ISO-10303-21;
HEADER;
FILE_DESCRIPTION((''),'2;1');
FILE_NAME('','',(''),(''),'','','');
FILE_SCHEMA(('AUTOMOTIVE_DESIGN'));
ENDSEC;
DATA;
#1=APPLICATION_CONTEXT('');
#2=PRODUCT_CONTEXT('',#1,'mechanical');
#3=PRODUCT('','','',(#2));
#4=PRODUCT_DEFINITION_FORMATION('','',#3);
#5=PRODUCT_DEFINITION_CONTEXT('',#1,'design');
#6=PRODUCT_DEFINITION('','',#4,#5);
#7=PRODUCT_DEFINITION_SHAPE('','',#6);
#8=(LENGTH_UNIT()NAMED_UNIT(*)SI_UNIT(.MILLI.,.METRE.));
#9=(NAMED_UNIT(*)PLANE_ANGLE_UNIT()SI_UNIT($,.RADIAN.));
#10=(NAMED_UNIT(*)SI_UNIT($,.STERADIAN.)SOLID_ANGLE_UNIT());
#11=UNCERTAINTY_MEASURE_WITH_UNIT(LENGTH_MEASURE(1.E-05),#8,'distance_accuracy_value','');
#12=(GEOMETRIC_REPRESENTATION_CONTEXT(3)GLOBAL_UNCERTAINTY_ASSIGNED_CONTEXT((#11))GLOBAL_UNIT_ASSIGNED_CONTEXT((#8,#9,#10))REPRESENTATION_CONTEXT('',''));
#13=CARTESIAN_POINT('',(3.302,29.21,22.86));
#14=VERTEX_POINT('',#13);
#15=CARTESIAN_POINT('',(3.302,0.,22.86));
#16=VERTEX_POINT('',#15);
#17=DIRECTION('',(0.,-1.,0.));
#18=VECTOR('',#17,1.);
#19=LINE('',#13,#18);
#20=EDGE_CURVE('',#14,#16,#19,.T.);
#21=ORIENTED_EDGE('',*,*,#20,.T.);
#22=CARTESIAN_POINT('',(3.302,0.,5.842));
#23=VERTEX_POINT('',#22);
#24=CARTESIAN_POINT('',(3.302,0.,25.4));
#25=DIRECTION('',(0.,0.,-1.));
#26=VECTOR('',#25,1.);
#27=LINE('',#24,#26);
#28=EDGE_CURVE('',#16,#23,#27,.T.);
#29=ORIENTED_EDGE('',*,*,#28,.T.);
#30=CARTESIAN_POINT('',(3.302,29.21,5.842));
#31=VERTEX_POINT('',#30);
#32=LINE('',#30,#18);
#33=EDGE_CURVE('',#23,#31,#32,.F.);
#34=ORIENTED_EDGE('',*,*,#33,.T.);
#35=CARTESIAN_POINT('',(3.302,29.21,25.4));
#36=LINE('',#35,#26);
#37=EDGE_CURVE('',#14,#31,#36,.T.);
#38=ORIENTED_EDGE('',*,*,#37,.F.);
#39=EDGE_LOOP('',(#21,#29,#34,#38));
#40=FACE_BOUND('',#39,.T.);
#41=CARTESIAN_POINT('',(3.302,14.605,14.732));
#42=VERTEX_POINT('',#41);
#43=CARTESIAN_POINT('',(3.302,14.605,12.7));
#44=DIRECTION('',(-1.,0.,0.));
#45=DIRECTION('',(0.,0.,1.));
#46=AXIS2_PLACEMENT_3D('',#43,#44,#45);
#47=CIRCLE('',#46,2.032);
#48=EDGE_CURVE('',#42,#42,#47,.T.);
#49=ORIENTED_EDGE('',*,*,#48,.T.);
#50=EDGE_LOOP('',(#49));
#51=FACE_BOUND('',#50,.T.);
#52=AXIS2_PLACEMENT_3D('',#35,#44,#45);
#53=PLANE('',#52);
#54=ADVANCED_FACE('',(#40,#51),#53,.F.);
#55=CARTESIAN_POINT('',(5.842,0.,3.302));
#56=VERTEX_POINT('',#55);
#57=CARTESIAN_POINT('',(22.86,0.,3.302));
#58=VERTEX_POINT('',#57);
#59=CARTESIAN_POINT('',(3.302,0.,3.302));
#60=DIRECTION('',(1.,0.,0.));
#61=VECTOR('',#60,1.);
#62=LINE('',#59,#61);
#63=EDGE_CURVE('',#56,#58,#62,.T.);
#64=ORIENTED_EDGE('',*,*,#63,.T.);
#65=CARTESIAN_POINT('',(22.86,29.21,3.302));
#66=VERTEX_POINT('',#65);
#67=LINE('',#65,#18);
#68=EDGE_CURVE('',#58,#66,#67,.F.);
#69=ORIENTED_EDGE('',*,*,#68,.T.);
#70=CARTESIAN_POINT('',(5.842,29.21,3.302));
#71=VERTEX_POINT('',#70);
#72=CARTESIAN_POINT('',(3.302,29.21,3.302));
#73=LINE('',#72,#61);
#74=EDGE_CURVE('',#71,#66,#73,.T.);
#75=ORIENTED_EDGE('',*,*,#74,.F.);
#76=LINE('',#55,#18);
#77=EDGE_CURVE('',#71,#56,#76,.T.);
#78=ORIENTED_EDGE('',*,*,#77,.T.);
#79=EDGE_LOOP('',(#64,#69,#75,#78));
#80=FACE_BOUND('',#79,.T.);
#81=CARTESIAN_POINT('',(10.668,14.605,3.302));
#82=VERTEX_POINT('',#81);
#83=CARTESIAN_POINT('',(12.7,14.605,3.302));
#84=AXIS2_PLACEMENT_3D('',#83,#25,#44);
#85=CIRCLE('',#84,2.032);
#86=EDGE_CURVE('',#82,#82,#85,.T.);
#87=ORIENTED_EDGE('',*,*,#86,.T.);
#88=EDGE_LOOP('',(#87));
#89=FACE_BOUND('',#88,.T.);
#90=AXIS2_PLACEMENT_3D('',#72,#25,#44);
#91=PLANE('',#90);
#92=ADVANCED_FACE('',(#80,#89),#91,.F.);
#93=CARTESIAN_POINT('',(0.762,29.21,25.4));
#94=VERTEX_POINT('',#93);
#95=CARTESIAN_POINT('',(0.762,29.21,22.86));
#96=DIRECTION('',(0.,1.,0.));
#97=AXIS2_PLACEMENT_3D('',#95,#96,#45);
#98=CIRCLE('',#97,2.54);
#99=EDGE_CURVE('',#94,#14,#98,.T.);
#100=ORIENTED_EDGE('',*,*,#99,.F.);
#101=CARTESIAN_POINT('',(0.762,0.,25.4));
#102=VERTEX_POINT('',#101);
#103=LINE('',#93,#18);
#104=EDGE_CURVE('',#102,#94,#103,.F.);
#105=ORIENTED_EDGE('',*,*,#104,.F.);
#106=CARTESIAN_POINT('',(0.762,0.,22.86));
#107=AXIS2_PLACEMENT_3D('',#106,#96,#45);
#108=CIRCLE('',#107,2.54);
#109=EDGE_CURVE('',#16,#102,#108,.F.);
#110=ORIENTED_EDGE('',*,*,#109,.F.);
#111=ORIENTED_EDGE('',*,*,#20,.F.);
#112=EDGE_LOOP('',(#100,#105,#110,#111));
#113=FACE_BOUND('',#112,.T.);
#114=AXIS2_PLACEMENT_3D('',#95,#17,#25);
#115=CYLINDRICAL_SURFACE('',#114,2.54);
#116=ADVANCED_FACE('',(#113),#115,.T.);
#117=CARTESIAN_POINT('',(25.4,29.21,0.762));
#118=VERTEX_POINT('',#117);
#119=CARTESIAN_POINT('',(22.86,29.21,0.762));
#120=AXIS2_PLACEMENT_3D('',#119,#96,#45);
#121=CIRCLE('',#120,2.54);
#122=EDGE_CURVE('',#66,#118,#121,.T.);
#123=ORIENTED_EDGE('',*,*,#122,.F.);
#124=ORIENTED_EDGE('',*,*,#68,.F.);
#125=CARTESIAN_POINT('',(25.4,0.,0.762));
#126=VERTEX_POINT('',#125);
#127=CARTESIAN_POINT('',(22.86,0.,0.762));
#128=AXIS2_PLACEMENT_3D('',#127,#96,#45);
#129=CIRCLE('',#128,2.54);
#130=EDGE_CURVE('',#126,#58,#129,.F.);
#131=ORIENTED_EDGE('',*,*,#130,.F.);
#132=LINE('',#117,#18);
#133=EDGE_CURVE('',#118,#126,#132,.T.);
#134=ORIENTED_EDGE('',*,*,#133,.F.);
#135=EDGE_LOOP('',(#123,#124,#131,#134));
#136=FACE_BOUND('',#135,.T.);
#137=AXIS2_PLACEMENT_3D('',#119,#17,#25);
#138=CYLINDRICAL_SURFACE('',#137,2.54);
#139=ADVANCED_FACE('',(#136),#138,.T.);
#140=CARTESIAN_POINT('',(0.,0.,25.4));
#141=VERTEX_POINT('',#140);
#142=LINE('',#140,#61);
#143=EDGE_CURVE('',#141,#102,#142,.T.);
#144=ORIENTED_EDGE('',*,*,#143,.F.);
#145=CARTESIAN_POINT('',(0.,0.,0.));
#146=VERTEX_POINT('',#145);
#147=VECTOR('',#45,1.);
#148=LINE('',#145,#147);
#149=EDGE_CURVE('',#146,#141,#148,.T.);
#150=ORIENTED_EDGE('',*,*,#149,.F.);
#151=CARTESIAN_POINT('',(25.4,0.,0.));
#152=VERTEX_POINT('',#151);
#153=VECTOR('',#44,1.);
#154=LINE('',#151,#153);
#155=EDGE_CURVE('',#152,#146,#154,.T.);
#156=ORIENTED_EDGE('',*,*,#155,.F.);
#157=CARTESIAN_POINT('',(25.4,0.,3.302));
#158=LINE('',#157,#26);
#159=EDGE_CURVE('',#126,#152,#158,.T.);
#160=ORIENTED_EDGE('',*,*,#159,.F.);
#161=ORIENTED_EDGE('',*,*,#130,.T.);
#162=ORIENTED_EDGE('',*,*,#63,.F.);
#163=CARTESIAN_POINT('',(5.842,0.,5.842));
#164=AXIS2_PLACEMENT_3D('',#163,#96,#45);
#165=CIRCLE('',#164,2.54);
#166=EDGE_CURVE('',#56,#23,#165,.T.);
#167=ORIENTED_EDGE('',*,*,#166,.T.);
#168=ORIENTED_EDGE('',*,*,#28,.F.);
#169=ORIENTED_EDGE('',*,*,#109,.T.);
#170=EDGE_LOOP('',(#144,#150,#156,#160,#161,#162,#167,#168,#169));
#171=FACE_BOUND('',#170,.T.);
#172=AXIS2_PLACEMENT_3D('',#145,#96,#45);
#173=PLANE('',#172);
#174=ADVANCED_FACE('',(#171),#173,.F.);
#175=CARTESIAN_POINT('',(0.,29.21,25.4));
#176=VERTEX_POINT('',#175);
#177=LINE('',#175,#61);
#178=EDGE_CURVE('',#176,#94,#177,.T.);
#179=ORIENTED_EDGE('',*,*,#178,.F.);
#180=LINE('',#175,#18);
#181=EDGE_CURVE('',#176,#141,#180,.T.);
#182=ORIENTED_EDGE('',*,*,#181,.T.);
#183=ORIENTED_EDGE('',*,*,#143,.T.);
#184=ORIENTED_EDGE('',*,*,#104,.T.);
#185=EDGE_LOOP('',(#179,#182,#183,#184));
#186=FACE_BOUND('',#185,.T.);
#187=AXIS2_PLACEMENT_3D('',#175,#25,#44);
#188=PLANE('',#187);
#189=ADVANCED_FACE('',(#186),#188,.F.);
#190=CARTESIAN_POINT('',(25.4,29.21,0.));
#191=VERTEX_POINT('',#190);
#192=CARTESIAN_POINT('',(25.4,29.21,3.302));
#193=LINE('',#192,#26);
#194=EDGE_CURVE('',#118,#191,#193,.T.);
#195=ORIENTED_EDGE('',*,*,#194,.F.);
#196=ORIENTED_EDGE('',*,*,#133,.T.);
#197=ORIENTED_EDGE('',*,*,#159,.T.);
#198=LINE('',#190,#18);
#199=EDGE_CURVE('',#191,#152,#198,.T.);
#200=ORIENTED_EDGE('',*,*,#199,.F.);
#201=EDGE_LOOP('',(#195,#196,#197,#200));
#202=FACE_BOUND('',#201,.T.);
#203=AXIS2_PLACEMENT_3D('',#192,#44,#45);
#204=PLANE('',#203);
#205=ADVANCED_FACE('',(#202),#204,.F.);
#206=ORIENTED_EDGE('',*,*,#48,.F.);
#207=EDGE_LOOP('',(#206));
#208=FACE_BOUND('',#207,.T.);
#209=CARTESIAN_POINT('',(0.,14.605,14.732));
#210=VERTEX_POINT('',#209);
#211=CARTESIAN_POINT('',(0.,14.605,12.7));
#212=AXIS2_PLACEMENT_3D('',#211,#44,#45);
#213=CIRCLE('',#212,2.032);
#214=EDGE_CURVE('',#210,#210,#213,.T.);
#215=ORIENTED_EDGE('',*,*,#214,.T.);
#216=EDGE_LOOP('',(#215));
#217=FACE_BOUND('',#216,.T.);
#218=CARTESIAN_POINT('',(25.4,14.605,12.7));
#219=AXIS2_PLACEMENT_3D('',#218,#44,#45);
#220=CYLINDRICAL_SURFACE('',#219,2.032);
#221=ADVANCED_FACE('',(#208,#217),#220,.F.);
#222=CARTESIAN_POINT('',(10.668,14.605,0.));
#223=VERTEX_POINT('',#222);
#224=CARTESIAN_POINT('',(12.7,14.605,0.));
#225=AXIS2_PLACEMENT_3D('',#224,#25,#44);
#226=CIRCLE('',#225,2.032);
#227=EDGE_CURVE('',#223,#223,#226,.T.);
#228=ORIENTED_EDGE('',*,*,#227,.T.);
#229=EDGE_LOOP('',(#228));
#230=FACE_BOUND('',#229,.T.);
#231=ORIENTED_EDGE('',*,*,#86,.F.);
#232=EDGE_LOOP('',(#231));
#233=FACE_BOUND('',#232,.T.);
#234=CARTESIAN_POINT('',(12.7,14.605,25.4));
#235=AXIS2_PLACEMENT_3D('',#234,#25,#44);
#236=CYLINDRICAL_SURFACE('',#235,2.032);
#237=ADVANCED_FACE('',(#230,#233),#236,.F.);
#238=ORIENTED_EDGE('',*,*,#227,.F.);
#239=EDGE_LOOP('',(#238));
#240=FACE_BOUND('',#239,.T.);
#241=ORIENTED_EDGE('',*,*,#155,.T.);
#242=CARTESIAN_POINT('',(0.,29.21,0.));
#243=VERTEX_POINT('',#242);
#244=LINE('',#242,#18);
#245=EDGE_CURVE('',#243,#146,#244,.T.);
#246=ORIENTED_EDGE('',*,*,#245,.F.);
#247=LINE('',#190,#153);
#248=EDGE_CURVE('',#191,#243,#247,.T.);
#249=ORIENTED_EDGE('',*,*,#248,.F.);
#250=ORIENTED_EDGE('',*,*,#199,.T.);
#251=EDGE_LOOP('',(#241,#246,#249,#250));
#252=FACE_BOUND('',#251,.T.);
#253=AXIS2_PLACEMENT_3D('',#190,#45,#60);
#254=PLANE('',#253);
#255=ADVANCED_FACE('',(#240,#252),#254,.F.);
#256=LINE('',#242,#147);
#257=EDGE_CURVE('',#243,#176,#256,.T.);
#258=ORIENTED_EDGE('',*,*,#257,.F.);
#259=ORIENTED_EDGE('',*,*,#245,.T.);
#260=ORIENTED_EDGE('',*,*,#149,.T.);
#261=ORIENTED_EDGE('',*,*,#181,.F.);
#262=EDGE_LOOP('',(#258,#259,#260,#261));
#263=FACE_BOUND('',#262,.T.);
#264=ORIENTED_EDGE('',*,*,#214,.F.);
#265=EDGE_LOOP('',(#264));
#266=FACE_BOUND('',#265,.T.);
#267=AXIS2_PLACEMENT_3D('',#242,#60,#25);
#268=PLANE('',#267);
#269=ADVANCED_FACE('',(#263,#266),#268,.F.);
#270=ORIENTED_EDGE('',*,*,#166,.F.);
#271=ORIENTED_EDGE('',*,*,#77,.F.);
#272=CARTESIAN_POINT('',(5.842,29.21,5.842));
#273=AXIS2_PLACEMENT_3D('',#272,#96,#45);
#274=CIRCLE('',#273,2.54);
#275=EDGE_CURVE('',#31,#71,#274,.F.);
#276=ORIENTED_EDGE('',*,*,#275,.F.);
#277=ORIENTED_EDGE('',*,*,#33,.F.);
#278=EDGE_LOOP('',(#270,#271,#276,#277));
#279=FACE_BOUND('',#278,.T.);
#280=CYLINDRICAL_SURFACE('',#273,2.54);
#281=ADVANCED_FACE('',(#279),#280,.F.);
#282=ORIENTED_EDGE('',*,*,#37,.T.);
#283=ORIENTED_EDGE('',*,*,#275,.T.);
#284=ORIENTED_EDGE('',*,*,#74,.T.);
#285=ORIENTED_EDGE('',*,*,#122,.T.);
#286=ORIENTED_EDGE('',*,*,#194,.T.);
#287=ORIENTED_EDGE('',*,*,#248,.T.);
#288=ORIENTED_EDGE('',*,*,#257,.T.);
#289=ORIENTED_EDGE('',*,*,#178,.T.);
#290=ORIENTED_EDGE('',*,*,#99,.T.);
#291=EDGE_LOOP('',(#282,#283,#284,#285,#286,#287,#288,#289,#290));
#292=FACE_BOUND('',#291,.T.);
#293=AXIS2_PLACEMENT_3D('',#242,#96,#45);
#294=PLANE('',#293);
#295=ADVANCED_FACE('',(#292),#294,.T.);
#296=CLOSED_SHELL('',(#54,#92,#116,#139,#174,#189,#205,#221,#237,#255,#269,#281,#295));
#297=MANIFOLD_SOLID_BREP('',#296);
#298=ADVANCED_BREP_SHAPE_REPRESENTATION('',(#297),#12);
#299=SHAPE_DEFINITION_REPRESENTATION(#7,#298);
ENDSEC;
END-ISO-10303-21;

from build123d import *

# Parameters (mm, degrees)
BOSS_EXTRUDE1_DEPTH = 29.21
FILLET1_R           = 2.54
SKETCH2_R           = 2.032
CUT_EXTRUDE1_DEPTH  = 26.4
SKETCH3_R           = 2.032
CUT_EXTRUDE2_DEPTH  = 26.4


with BuildPart() as part:
    # Sketch1 → Boss-Extrude1 (new body)
    with BuildSketch(Plane(origin=(0, 0, 0), x_dir=(1, 0, 0), z_dir=(0, 1, 0))):
        Polygon((0, 0), (0, -25.4), (3.302, -25.4), (3.302, -3.302), (25.4, -3.302), (25.4, 0), align=None)
    extrude(amount=BOSS_EXTRUDE1_DEPTH)

    # Fillet1
    fillet1_edges = [part.edges().sort_by_distance(p)[0] for p in [
        (25.4, 14.605, 3.302),
        (3.302, 14.605, 3.302),
        (3.302, 14.605, 25.4),
    ]]
    fillet(fillet1_edges, radius=FILLET1_R)

    # Sketch2 → Cut-Extrude1 (cut, through all)
    with BuildSketch(Plane.ZY):
        with Locations((12.7, 14.605)):
            Circle(SKETCH2_R)
    extrude(amount=-CUT_EXTRUDE1_DEPTH, mode=Mode.SUBTRACT)

    # Sketch3 → Cut-Extrude2 (cut, through all)
    with BuildSketch(Plane(origin=(0, 0, 0), x_dir=(-1, 0, 0), z_dir=(0, 0, -1))):
        with Locations((-12.7, 14.605)):
            Circle(SKETCH3_R)
    extrude(amount=-CUT_EXTRUDE2_DEPTH, mode=Mode.SUBTRACT)


solid = part.part
